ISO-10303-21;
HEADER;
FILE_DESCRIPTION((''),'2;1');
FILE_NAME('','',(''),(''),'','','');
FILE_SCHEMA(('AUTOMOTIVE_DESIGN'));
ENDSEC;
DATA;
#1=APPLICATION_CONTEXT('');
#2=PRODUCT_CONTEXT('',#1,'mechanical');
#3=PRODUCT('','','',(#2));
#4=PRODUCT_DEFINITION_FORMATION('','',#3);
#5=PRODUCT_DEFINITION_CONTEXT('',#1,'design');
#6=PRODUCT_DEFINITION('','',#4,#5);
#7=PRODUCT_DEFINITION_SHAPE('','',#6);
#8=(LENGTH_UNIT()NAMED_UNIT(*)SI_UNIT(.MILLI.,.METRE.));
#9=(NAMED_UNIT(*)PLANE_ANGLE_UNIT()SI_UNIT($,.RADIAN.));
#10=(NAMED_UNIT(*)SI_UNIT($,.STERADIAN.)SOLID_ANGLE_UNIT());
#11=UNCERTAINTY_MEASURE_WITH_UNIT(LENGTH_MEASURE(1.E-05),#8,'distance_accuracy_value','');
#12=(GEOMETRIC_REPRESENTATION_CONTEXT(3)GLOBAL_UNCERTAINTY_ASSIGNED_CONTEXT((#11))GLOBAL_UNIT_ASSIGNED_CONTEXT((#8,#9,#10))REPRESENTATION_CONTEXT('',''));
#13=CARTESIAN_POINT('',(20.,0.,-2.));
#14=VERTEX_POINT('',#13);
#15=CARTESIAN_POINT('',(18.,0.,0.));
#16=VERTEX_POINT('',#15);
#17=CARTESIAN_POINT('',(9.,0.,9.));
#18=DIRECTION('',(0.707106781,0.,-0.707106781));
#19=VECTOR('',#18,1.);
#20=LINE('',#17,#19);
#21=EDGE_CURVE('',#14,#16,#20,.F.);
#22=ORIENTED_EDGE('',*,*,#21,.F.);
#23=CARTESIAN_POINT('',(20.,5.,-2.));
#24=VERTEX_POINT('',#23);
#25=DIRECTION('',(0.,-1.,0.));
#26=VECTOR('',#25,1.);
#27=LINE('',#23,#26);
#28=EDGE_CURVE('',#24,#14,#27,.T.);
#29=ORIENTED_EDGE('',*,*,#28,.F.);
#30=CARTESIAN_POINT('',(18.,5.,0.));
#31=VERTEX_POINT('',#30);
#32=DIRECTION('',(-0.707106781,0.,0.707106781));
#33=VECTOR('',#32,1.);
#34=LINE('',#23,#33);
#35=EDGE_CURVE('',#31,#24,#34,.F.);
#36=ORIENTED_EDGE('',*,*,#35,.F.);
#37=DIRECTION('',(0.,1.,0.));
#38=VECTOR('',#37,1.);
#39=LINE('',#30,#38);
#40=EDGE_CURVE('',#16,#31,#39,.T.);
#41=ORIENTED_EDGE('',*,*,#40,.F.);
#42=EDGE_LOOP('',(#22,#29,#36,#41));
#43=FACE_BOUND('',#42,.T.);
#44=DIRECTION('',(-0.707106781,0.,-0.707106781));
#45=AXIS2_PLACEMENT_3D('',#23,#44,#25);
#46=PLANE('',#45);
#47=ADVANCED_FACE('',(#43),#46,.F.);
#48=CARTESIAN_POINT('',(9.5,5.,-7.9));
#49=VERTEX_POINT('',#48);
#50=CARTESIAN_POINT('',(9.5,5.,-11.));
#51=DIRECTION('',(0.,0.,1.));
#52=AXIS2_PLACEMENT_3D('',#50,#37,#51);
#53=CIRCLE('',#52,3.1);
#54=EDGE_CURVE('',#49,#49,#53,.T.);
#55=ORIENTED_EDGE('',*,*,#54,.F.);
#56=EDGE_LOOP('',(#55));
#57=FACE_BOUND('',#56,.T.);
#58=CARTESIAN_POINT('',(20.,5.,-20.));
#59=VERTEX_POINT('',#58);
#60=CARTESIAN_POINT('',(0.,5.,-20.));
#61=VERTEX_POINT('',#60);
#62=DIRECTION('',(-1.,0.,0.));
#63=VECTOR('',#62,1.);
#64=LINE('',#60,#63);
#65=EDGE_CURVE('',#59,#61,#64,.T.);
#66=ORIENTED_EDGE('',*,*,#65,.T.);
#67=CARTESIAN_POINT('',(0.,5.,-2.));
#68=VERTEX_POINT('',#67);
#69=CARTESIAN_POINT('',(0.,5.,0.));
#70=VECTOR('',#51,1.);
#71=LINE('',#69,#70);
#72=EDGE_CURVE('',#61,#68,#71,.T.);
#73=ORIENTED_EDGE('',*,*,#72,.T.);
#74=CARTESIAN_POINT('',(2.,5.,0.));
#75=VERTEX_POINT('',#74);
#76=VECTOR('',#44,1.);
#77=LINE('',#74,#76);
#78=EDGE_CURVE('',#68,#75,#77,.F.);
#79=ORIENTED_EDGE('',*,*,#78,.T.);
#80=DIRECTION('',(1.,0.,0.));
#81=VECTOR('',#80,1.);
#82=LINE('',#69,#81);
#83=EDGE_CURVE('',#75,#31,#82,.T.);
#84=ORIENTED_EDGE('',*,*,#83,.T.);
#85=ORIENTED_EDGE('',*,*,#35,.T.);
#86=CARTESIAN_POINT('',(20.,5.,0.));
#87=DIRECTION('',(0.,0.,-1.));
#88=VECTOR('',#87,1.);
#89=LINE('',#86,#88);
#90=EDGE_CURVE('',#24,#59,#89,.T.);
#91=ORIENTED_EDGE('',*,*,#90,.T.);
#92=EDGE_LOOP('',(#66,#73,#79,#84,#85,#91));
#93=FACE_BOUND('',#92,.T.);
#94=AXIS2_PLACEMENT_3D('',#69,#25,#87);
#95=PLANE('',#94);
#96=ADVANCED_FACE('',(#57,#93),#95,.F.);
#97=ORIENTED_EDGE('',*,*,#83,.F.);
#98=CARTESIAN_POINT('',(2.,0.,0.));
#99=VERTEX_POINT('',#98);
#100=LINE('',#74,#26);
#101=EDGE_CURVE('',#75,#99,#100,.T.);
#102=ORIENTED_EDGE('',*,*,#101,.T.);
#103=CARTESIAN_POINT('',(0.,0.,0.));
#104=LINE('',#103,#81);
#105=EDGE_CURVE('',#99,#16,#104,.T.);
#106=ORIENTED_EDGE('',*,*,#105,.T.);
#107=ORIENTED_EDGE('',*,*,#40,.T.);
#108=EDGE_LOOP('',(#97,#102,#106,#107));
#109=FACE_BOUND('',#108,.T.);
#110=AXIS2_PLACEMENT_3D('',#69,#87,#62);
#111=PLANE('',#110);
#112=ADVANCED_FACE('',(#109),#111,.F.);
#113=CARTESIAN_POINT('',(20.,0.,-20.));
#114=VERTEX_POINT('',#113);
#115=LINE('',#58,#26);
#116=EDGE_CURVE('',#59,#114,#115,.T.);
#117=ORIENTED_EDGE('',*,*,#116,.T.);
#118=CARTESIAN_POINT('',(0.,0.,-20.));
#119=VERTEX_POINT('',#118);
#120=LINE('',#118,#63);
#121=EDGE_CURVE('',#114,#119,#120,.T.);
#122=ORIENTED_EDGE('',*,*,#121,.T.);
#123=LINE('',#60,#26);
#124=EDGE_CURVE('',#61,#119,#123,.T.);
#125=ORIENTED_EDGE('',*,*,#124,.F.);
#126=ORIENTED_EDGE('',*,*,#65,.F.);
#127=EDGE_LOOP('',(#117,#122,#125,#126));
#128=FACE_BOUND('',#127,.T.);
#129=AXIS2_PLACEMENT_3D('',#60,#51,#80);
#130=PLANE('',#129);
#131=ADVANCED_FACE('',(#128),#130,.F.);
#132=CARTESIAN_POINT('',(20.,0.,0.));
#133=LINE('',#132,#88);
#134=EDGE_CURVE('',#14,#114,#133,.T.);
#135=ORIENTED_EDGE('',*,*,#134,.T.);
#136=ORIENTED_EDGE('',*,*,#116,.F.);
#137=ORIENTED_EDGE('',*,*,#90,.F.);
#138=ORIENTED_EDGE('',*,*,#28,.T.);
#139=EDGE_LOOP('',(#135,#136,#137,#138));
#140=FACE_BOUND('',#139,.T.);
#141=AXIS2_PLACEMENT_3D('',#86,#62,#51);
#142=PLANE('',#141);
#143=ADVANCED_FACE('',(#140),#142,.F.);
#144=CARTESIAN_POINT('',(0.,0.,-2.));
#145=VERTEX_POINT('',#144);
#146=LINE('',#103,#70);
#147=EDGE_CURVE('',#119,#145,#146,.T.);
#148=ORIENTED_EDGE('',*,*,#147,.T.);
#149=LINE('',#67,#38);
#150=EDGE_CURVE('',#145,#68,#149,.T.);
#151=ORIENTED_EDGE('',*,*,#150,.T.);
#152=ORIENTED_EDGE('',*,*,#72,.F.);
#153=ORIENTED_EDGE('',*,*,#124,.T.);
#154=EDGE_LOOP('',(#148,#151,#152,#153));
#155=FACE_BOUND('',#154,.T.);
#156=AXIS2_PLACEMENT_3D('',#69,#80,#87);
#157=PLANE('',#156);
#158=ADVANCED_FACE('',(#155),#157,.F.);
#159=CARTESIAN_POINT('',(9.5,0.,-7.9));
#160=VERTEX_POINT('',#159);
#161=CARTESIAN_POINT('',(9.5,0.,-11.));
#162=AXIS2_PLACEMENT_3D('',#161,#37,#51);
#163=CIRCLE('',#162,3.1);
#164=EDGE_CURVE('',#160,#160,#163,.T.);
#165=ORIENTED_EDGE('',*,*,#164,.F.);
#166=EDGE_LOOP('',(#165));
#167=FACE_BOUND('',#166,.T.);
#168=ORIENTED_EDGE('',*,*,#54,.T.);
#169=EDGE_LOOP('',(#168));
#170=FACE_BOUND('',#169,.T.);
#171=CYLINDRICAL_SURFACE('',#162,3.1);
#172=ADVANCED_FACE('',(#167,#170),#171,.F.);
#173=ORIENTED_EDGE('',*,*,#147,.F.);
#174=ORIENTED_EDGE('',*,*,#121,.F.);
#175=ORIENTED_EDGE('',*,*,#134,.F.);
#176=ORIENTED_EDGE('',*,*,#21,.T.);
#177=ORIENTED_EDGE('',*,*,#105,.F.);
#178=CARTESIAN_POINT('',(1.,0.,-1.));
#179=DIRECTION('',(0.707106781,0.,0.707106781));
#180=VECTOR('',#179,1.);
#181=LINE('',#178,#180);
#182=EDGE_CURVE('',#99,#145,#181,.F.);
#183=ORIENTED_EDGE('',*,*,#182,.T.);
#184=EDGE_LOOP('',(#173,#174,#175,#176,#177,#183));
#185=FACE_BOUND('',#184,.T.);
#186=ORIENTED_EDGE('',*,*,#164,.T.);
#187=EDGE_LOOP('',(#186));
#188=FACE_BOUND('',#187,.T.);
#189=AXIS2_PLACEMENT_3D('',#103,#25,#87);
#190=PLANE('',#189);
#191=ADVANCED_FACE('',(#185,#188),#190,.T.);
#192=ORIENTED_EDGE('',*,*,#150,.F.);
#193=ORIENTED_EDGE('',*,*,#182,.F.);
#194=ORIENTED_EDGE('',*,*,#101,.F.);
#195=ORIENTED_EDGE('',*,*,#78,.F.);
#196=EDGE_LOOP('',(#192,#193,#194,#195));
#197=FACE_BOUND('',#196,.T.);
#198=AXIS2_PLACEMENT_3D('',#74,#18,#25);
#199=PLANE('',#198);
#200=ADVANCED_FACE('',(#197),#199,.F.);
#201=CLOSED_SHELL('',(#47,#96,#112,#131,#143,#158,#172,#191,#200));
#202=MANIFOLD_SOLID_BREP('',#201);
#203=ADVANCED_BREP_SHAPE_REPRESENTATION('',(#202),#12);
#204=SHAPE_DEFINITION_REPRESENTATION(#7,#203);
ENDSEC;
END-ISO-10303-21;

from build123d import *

# Parameters (mm, degrees)
SKETCH_1_W          = 20
SKETCH_1_H          = 20
EXTRUDE_1_DEPTH     = 5
SKETCH_2_R          = 3.1
CUT_EXTRUDE_1_DEPTH = 5
CHAMFER_1_SIZE      = 2


with BuildPart() as part:
    # 스케치1 → 보스-돌출1 (new body)
    with BuildSketch(Plane(origin=(0, 0, 0), x_dir=(1, 0, 0), z_dir=(0, 1, 0))):
        with Locations((10, 10)):
            Rectangle(SKETCH_1_W, SKETCH_1_H)
    extrude(amount=EXTRUDE_1_DEPTH)

    # 스케치2 → 컷-돌출1 (cut)
    with BuildSketch(Plane(origin=(0, 5, 0), x_dir=(1, 0, 0), z_dir=(0, 1, 0))):
        with Locations(Location((9.5, 11, 0), (0, 0, 270))):
            Circle(SKETCH_2_R)
    extrude(amount=-CUT_EXTRUDE_1_DEPTH, mode=Mode.SUBTRACT)

    # 모따기1
    chamfer_1_edges = [part.edges().sort_by_distance(p)[0] for p in [
        (20, 2.5, 0),
        (0, 2.5, 0),
    ]]
    chamfer(chamfer_1_edges, length=CHAMFER_1_SIZE)


solid = part.part
